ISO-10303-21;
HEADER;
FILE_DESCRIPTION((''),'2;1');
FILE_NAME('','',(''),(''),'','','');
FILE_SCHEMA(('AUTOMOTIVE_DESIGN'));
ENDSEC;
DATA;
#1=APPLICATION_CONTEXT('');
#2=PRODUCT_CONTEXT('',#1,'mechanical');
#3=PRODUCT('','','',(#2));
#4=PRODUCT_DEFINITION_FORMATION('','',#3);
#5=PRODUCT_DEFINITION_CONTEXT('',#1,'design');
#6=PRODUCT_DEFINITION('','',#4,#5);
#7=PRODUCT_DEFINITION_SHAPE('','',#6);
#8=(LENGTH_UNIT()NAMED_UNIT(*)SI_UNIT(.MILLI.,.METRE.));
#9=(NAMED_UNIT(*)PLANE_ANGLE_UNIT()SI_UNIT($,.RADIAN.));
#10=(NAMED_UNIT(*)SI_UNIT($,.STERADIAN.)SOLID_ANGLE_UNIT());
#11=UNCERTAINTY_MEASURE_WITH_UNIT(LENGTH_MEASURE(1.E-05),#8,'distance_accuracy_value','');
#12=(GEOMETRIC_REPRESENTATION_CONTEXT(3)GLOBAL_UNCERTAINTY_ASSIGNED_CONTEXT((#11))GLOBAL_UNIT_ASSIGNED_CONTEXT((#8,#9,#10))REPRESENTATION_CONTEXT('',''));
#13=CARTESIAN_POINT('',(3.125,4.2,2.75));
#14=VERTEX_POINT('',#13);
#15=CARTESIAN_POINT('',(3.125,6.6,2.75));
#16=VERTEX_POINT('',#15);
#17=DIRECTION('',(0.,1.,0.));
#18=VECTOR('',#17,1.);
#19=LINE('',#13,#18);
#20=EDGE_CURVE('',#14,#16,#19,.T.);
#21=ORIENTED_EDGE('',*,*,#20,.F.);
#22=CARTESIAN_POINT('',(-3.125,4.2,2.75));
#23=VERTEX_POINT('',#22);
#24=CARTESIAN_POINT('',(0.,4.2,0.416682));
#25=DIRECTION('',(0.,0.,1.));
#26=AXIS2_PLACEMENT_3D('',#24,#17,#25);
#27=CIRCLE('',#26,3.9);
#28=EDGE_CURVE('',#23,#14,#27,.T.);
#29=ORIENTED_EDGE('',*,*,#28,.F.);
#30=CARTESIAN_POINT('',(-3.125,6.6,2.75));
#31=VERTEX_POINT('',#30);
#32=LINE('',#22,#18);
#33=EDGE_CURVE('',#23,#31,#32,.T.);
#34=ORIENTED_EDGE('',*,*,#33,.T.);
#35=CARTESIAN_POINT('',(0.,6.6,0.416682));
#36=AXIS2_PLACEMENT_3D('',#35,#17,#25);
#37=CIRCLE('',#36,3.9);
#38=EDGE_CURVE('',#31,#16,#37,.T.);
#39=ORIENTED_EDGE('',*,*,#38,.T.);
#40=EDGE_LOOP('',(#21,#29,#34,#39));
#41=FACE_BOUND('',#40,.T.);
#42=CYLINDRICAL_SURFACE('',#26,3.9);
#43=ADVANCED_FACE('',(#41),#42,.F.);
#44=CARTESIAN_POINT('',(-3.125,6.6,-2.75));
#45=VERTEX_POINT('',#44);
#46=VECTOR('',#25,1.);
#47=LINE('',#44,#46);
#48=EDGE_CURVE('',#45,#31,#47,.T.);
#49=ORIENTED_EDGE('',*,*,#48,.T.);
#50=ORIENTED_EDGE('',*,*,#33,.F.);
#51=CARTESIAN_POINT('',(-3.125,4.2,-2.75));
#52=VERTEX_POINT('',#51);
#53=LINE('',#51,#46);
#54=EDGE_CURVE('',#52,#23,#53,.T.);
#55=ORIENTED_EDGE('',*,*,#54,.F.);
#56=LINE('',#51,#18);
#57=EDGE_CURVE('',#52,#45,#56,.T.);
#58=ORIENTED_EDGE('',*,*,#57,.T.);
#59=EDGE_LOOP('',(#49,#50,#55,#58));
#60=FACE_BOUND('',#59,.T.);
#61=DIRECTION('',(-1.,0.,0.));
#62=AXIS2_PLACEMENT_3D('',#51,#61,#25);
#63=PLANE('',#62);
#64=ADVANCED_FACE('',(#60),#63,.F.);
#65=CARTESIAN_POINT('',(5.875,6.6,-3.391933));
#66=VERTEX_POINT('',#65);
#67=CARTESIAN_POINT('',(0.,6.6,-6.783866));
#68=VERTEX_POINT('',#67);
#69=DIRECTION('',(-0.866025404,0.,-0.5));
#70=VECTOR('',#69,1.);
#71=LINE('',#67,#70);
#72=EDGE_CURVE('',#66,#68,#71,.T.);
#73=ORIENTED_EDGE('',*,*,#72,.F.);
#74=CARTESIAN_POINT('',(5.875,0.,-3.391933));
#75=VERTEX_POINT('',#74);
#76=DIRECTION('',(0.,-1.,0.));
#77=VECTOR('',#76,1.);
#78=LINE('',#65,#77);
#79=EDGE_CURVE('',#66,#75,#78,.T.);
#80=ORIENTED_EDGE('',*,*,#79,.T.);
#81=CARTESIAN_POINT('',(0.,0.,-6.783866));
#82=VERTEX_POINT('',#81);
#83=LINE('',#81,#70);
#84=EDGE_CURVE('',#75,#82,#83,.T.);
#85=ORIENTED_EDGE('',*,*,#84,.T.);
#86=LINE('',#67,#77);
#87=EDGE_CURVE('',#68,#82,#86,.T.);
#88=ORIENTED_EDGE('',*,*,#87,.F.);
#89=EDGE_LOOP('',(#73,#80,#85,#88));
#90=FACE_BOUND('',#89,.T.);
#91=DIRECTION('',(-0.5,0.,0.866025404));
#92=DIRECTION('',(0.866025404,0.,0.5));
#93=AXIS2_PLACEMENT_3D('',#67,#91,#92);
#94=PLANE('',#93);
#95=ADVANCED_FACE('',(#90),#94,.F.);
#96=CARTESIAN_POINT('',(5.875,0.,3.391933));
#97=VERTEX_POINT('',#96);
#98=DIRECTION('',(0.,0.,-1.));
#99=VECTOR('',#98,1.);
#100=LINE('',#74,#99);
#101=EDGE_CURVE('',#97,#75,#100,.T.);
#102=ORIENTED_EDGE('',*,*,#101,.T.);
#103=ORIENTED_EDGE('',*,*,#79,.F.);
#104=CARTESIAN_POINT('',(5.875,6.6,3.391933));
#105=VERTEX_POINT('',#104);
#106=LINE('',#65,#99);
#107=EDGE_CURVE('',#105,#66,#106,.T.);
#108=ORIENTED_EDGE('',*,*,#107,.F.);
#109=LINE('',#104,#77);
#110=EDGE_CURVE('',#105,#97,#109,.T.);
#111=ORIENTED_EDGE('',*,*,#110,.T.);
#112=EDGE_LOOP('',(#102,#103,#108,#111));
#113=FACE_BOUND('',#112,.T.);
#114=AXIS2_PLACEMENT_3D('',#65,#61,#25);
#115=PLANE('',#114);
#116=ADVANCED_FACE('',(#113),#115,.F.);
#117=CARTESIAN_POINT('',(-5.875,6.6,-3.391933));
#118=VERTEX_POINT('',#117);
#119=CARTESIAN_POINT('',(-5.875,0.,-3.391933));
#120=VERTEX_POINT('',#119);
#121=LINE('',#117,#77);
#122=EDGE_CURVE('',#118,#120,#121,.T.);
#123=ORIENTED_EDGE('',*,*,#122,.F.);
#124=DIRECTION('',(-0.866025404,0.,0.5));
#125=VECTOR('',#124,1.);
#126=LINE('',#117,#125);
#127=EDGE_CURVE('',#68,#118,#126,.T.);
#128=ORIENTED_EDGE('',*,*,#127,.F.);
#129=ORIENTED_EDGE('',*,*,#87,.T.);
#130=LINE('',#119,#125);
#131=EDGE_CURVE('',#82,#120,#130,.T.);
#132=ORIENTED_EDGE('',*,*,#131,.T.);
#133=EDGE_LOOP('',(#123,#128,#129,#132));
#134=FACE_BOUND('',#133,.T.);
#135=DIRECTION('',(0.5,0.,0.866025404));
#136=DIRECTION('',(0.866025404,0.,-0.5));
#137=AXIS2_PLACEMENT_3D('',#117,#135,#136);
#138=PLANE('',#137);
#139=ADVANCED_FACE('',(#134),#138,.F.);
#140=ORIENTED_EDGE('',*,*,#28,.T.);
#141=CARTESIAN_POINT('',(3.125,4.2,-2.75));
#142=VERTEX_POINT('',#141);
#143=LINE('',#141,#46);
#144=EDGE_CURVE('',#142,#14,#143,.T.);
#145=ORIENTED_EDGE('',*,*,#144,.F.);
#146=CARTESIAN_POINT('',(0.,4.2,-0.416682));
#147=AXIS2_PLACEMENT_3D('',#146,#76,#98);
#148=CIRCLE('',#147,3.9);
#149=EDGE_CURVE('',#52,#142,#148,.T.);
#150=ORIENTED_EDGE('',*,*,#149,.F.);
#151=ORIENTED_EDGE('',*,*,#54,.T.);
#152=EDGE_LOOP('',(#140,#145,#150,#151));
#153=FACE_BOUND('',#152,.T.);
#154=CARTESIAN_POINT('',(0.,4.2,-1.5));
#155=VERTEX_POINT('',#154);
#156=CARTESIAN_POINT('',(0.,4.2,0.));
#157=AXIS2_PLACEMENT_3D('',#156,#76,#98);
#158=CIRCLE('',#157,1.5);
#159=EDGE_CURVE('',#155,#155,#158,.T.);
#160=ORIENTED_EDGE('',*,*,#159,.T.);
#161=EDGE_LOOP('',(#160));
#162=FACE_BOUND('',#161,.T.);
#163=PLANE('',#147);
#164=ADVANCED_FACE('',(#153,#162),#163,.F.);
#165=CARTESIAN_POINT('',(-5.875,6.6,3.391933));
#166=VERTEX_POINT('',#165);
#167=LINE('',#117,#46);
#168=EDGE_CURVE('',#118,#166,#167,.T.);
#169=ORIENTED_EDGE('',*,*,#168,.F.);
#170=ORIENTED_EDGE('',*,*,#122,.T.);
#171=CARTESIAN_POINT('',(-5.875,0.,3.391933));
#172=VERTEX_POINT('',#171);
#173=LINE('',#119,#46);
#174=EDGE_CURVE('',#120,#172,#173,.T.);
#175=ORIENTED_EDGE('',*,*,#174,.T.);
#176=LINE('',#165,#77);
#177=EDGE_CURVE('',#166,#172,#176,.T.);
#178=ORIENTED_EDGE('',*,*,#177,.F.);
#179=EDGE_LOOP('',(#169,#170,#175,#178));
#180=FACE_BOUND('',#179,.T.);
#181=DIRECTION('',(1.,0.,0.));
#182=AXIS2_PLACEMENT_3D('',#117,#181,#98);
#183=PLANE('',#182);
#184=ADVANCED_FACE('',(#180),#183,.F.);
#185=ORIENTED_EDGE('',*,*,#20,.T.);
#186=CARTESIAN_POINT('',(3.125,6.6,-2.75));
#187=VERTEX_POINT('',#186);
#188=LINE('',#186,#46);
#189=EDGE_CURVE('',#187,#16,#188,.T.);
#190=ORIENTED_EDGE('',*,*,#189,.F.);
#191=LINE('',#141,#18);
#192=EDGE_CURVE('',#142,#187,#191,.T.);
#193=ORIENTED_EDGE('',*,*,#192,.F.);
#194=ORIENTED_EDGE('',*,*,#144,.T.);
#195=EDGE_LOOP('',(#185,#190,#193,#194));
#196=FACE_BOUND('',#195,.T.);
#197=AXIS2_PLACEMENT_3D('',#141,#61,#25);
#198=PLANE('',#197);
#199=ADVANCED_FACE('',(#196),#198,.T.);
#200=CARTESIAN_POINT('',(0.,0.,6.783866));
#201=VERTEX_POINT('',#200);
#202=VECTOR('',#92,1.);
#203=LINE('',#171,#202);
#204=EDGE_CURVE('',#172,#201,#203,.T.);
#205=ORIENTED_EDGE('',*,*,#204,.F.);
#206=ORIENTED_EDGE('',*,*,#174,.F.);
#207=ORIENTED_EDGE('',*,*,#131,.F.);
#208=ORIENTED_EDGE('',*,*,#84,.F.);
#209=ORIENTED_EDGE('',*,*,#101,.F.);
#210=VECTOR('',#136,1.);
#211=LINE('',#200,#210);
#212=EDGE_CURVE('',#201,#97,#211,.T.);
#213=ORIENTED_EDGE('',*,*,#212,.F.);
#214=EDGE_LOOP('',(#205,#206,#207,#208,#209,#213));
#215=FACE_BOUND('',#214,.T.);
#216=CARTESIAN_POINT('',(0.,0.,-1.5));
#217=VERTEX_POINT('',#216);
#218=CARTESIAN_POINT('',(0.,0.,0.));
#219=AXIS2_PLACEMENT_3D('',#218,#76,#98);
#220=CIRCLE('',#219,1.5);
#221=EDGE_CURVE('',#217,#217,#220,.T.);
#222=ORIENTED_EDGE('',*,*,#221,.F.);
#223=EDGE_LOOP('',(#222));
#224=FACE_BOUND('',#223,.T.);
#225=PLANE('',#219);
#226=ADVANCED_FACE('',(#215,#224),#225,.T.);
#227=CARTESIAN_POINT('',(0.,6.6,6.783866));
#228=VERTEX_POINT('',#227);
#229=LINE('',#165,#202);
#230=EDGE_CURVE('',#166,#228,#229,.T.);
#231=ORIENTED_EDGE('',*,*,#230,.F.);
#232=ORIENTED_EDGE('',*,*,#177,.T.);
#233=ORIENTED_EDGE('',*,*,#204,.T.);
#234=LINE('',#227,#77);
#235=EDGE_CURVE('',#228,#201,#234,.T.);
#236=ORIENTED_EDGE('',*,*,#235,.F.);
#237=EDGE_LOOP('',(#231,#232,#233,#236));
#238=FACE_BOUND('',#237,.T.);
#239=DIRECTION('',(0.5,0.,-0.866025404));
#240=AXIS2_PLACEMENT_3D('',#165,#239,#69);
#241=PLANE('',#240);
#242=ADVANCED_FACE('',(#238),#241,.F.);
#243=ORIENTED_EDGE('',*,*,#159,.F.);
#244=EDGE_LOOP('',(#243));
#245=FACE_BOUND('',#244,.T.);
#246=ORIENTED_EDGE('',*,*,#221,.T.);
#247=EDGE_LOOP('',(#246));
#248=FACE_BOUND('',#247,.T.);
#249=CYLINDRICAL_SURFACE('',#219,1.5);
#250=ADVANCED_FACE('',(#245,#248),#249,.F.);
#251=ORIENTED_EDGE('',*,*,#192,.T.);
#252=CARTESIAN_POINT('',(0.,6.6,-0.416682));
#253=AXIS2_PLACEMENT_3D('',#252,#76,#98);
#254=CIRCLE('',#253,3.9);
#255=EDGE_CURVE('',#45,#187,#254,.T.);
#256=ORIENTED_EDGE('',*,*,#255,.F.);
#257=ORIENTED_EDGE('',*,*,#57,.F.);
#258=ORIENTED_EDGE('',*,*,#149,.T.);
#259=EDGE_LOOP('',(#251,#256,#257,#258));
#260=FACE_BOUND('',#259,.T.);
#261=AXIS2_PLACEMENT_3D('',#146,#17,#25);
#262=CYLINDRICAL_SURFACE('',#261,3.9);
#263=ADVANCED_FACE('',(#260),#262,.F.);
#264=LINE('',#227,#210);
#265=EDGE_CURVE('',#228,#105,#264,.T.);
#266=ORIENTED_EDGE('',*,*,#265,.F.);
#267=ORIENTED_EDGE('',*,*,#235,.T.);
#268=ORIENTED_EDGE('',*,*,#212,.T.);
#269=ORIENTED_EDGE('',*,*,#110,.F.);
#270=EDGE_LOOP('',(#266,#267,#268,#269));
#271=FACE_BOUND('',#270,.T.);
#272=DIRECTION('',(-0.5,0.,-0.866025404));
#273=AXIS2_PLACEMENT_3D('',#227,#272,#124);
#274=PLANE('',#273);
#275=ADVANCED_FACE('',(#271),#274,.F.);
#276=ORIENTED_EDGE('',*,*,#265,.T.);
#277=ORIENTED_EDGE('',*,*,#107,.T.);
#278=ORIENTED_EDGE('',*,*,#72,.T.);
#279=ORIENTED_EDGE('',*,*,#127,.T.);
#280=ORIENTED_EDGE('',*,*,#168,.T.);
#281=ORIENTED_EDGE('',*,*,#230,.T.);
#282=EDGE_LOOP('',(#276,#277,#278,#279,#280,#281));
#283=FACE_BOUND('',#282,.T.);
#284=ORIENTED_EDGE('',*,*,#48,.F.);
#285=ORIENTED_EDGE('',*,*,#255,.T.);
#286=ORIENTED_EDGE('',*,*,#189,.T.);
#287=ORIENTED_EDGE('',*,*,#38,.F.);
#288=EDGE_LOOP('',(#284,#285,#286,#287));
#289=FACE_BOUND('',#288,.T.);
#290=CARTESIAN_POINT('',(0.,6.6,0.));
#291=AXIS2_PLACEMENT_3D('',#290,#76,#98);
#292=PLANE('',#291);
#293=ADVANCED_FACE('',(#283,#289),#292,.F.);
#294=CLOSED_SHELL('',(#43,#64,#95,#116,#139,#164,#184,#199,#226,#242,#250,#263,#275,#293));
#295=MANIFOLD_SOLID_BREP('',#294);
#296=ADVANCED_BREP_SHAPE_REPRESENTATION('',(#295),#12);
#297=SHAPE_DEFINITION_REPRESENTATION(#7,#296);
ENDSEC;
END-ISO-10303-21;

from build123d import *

# Parameters (mm, degrees)
BOSS_EXTRUDE1_DEPTH   = 6.6
CUT_EXTRUDE1_DEPTH    = 2.4
F_3_0MM_DOWEL_HOLE1_D = 3


with BuildPart() as part:
    # Sketch1 → Boss-Extrude1 (new body)
    with BuildSketch(Plane(origin=(0, 0, 0), x_dir=(1, 0, 0), z_dir=(0, 1, 0))):
        Polygon((-5.875, 3.391932831), (-5.875, -3.391932831), (0, -6.783865663), (5.875, -3.391932831), (5.875, 3.391932831), (0, 6.783865663), align=None)
    extrude(amount=BOSS_EXTRUDE1_DEPTH)

    # Sketch2 → Cut-Extrude1 (cut)
    with BuildSketch(Plane(origin=(0, 6.6, 0), x_dir=(1, 0, 0), z_dir=(0, 1, 0))):
        with BuildLine():
            Line((-3.125, 2.75), (-3.125, -2.75))
            ThreePointArc((-3.125, -2.75), (0, -4.316681548), (3.125, -2.75))
            Line((3.125, -2.75), (3.125, 2.75))
            ThreePointArc((3.125, 2.75), (0, 4.316681548), (-3.125, 2.75))
        make_face()
    extrude(amount=-CUT_EXTRUDE1_DEPTH, mode=Mode.SUBTRACT)

    # Ø3.0mm Dowel Hole1 (through all)
    with Locations(Plane(origin=(0, 0, 0), x_dir=(-1, 0, 0), z_dir=(0, -1, 0))):
        with Locations((0, 0)):
            Hole(F_3_0MM_DOWEL_HOLE1_D / 2)


solid = part.part
